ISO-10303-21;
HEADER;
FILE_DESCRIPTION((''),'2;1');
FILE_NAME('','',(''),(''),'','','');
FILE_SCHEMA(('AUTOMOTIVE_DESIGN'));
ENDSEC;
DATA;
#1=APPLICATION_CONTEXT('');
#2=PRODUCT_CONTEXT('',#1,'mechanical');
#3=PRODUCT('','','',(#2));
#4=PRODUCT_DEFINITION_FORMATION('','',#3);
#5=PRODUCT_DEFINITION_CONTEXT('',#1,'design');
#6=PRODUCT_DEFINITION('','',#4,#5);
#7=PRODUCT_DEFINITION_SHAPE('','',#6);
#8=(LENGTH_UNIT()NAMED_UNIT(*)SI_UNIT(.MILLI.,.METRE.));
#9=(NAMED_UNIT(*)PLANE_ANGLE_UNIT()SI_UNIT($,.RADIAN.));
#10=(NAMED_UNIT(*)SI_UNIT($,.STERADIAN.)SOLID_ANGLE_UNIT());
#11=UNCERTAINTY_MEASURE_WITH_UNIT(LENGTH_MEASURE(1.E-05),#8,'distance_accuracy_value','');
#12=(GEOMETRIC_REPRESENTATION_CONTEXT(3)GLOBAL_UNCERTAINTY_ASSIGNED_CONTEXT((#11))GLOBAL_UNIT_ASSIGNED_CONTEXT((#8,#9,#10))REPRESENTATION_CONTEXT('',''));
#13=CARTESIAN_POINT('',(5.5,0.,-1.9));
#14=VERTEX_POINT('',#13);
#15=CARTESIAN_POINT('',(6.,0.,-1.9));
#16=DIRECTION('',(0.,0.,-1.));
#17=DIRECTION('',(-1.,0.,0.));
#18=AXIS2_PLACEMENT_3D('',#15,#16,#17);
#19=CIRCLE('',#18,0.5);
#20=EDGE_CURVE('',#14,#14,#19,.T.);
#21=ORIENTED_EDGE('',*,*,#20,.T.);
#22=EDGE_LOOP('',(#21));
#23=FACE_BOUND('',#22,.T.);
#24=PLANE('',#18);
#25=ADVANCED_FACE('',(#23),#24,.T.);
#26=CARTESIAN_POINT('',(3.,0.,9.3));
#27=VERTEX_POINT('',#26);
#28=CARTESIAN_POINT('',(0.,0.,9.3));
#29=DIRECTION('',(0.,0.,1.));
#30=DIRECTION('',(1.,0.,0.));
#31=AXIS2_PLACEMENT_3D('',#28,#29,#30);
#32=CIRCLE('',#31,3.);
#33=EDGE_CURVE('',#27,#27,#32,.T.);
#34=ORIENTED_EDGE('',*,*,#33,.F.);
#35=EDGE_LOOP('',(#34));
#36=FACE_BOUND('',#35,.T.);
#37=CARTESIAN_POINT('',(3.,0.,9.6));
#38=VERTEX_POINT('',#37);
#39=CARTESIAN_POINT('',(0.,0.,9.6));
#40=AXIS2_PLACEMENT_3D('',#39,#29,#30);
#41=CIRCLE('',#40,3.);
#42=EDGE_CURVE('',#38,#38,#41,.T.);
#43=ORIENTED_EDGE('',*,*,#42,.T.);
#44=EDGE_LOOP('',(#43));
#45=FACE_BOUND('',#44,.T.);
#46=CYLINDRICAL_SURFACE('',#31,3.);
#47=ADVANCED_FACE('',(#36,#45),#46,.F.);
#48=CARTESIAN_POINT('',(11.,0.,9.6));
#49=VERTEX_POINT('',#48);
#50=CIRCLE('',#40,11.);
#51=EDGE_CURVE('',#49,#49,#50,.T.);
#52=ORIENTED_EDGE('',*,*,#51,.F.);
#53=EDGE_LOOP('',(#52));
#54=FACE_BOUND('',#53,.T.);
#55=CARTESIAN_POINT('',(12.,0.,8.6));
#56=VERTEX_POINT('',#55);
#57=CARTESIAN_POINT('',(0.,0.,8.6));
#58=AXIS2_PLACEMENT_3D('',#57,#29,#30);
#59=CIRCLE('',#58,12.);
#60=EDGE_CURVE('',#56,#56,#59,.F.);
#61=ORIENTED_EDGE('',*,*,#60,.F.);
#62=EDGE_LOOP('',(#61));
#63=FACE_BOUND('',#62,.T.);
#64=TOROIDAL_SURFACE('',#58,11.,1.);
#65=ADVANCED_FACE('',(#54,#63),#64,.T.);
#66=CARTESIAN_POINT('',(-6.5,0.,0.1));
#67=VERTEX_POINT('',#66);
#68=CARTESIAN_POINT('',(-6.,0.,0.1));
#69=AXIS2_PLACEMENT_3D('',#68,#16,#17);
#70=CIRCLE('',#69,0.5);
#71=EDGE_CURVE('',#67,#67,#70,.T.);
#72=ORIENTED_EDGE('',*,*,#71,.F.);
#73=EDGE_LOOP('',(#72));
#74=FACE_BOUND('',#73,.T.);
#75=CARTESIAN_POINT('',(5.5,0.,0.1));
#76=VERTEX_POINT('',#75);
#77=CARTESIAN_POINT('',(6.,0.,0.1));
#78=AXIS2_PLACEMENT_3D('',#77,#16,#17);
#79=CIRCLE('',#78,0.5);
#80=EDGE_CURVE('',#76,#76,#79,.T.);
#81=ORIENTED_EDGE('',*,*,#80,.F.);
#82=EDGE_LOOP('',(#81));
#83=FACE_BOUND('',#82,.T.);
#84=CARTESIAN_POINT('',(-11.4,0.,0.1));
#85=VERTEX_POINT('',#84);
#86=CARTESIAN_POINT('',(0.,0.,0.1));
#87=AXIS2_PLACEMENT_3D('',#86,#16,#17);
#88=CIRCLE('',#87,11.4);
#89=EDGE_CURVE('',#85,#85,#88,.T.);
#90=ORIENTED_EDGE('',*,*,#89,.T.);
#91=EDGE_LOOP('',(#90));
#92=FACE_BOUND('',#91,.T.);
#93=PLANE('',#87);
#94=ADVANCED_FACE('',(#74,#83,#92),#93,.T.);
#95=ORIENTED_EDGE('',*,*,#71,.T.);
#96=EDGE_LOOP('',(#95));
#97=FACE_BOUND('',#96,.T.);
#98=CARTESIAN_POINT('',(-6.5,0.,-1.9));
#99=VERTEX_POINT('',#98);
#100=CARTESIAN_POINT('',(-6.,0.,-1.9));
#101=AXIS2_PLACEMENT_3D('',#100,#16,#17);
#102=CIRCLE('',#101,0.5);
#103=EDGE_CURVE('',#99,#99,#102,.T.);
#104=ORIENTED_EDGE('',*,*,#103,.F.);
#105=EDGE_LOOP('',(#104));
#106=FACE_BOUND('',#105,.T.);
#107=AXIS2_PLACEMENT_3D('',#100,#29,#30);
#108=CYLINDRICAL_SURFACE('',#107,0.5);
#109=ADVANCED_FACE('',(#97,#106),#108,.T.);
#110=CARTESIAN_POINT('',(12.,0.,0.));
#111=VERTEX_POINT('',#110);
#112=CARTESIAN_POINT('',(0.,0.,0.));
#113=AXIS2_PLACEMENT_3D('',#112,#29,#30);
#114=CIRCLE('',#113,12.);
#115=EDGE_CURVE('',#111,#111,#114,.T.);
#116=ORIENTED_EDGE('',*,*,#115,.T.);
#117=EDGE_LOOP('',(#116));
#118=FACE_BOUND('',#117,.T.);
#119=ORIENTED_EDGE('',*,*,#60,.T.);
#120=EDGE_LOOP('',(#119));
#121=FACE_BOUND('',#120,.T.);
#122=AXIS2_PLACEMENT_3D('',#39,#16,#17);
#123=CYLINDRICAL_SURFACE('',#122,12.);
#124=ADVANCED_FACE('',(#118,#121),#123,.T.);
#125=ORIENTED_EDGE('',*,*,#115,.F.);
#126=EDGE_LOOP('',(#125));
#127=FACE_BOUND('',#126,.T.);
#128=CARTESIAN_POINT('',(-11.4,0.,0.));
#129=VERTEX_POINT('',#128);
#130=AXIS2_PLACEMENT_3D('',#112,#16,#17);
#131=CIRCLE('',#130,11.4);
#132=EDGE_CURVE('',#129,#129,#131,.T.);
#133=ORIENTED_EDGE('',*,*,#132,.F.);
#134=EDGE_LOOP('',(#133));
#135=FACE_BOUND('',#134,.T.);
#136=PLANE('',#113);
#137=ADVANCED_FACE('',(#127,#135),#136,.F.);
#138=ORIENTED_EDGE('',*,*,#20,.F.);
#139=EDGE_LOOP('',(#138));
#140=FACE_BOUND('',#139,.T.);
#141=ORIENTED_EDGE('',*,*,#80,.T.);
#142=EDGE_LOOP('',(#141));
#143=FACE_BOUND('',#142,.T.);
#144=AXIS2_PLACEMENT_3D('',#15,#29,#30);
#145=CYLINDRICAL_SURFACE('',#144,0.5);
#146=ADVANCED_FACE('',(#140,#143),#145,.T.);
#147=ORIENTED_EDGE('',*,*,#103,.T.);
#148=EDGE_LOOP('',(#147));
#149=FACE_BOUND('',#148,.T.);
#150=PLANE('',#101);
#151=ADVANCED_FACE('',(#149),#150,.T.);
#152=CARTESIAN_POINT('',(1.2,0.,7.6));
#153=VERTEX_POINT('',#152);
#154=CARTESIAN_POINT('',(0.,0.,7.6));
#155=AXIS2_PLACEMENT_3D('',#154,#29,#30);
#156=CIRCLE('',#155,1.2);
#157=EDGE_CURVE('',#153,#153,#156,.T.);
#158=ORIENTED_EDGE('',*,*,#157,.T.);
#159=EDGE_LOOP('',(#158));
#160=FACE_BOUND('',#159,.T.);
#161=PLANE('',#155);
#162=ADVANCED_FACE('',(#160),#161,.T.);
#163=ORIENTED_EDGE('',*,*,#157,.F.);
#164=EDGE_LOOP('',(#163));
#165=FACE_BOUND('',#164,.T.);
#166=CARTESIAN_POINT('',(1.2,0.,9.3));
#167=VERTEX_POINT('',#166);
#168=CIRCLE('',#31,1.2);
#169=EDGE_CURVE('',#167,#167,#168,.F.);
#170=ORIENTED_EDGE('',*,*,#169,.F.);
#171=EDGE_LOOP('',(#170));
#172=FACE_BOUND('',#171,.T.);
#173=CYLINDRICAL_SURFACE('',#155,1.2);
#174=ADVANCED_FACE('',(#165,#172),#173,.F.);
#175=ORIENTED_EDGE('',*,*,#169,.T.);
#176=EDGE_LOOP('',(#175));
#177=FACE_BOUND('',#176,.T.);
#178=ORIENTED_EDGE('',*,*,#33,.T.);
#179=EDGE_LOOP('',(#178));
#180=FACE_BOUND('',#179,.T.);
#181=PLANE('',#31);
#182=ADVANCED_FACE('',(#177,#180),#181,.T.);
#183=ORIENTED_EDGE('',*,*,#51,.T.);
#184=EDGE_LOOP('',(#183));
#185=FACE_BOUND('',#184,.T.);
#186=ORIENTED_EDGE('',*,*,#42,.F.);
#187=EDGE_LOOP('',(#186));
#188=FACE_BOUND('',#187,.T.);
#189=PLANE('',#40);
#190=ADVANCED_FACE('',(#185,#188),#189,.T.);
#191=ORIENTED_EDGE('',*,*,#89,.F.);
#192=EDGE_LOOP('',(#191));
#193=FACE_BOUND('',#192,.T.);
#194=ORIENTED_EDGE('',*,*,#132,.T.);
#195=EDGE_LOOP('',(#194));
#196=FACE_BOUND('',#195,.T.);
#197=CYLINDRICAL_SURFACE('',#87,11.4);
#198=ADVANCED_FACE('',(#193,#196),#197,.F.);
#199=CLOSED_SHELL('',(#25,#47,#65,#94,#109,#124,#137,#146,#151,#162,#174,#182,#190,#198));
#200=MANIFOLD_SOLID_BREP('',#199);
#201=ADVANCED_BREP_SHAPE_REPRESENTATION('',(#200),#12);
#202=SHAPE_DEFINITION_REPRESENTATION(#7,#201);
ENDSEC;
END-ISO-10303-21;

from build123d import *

# Parameters (mm, degrees)
ESBO_O1_R                = 12
RESSALTO_EXTRUS_O1_DEPTH = 9.6
ESBO_O2_R                = 11.4
CORTE_EXTRUS_O1_DEPTH    = 0.1
ESBO_O3_R                = 0.5
RESSALTO_EXTRUS_O2_DEPTH = 2
ESBO_O4_R                = 1.2
CORTE_EXTRUS_O2_DEPTH    = 2
ESBO_O5_R                = 3
CORTE_EXTRUS_O3_DEPTH    = 0.3
FILETE1_R                = 1


with BuildPart() as part:
    # Esboço1 → Ressalto-extrusão1 (new body)
    with BuildSketch(Plane.XY):
        Circle(ESBO_O1_R)
    extrude(amount=RESSALTO_EXTRUS_O1_DEPTH)

    # Esboço2 → Corte-extrusão1 (cut)
    with BuildSketch(Plane(origin=(0, 0, 0), x_dir=(-1, 0, 0), z_dir=(0, 0, -1))):
        Circle(ESBO_O2_R)
    extrude(amount=-CORTE_EXTRUS_O1_DEPTH, mode=Mode.SUBTRACT)

    # Esboço3 → Ressalto-extrusão2 (add)
    with BuildSketch(Plane(origin=(0, 0, 0.1), x_dir=(-1, 0, 0), z_dir=(0, 0, -1))):
        with Locations((6, 0)):
            Circle(ESBO_O3_R)
        with Locations((-6, 0)):
            Circle(ESBO_O3_R)
    extrude(amount=RESSALTO_EXTRUS_O2_DEPTH)

    # Esboço4 → Corte-extrusão2 (cut)
    with BuildSketch(Plane.XY.offset(9.6)):
        Circle(ESBO_O4_R)
    extrude(amount=-CORTE_EXTRUS_O2_DEPTH, mode=Mode.SUBTRACT)

    # Esboço5 → Corte-extrusão3 (cut)
    with BuildSketch(Plane.XY.offset(9.6)):
        Circle(ESBO_O5_R)
    extrude(amount=-CORTE_EXTRUS_O3_DEPTH, mode=Mode.SUBTRACT)

    # Filete1
    filete1_edges = [part.edges().sort_by_distance(p)[0] for p in [
        (-12, 0, 9.6),
    ]]
    fillet(filete1_edges, radius=FILETE1_R)


solid = part.part
